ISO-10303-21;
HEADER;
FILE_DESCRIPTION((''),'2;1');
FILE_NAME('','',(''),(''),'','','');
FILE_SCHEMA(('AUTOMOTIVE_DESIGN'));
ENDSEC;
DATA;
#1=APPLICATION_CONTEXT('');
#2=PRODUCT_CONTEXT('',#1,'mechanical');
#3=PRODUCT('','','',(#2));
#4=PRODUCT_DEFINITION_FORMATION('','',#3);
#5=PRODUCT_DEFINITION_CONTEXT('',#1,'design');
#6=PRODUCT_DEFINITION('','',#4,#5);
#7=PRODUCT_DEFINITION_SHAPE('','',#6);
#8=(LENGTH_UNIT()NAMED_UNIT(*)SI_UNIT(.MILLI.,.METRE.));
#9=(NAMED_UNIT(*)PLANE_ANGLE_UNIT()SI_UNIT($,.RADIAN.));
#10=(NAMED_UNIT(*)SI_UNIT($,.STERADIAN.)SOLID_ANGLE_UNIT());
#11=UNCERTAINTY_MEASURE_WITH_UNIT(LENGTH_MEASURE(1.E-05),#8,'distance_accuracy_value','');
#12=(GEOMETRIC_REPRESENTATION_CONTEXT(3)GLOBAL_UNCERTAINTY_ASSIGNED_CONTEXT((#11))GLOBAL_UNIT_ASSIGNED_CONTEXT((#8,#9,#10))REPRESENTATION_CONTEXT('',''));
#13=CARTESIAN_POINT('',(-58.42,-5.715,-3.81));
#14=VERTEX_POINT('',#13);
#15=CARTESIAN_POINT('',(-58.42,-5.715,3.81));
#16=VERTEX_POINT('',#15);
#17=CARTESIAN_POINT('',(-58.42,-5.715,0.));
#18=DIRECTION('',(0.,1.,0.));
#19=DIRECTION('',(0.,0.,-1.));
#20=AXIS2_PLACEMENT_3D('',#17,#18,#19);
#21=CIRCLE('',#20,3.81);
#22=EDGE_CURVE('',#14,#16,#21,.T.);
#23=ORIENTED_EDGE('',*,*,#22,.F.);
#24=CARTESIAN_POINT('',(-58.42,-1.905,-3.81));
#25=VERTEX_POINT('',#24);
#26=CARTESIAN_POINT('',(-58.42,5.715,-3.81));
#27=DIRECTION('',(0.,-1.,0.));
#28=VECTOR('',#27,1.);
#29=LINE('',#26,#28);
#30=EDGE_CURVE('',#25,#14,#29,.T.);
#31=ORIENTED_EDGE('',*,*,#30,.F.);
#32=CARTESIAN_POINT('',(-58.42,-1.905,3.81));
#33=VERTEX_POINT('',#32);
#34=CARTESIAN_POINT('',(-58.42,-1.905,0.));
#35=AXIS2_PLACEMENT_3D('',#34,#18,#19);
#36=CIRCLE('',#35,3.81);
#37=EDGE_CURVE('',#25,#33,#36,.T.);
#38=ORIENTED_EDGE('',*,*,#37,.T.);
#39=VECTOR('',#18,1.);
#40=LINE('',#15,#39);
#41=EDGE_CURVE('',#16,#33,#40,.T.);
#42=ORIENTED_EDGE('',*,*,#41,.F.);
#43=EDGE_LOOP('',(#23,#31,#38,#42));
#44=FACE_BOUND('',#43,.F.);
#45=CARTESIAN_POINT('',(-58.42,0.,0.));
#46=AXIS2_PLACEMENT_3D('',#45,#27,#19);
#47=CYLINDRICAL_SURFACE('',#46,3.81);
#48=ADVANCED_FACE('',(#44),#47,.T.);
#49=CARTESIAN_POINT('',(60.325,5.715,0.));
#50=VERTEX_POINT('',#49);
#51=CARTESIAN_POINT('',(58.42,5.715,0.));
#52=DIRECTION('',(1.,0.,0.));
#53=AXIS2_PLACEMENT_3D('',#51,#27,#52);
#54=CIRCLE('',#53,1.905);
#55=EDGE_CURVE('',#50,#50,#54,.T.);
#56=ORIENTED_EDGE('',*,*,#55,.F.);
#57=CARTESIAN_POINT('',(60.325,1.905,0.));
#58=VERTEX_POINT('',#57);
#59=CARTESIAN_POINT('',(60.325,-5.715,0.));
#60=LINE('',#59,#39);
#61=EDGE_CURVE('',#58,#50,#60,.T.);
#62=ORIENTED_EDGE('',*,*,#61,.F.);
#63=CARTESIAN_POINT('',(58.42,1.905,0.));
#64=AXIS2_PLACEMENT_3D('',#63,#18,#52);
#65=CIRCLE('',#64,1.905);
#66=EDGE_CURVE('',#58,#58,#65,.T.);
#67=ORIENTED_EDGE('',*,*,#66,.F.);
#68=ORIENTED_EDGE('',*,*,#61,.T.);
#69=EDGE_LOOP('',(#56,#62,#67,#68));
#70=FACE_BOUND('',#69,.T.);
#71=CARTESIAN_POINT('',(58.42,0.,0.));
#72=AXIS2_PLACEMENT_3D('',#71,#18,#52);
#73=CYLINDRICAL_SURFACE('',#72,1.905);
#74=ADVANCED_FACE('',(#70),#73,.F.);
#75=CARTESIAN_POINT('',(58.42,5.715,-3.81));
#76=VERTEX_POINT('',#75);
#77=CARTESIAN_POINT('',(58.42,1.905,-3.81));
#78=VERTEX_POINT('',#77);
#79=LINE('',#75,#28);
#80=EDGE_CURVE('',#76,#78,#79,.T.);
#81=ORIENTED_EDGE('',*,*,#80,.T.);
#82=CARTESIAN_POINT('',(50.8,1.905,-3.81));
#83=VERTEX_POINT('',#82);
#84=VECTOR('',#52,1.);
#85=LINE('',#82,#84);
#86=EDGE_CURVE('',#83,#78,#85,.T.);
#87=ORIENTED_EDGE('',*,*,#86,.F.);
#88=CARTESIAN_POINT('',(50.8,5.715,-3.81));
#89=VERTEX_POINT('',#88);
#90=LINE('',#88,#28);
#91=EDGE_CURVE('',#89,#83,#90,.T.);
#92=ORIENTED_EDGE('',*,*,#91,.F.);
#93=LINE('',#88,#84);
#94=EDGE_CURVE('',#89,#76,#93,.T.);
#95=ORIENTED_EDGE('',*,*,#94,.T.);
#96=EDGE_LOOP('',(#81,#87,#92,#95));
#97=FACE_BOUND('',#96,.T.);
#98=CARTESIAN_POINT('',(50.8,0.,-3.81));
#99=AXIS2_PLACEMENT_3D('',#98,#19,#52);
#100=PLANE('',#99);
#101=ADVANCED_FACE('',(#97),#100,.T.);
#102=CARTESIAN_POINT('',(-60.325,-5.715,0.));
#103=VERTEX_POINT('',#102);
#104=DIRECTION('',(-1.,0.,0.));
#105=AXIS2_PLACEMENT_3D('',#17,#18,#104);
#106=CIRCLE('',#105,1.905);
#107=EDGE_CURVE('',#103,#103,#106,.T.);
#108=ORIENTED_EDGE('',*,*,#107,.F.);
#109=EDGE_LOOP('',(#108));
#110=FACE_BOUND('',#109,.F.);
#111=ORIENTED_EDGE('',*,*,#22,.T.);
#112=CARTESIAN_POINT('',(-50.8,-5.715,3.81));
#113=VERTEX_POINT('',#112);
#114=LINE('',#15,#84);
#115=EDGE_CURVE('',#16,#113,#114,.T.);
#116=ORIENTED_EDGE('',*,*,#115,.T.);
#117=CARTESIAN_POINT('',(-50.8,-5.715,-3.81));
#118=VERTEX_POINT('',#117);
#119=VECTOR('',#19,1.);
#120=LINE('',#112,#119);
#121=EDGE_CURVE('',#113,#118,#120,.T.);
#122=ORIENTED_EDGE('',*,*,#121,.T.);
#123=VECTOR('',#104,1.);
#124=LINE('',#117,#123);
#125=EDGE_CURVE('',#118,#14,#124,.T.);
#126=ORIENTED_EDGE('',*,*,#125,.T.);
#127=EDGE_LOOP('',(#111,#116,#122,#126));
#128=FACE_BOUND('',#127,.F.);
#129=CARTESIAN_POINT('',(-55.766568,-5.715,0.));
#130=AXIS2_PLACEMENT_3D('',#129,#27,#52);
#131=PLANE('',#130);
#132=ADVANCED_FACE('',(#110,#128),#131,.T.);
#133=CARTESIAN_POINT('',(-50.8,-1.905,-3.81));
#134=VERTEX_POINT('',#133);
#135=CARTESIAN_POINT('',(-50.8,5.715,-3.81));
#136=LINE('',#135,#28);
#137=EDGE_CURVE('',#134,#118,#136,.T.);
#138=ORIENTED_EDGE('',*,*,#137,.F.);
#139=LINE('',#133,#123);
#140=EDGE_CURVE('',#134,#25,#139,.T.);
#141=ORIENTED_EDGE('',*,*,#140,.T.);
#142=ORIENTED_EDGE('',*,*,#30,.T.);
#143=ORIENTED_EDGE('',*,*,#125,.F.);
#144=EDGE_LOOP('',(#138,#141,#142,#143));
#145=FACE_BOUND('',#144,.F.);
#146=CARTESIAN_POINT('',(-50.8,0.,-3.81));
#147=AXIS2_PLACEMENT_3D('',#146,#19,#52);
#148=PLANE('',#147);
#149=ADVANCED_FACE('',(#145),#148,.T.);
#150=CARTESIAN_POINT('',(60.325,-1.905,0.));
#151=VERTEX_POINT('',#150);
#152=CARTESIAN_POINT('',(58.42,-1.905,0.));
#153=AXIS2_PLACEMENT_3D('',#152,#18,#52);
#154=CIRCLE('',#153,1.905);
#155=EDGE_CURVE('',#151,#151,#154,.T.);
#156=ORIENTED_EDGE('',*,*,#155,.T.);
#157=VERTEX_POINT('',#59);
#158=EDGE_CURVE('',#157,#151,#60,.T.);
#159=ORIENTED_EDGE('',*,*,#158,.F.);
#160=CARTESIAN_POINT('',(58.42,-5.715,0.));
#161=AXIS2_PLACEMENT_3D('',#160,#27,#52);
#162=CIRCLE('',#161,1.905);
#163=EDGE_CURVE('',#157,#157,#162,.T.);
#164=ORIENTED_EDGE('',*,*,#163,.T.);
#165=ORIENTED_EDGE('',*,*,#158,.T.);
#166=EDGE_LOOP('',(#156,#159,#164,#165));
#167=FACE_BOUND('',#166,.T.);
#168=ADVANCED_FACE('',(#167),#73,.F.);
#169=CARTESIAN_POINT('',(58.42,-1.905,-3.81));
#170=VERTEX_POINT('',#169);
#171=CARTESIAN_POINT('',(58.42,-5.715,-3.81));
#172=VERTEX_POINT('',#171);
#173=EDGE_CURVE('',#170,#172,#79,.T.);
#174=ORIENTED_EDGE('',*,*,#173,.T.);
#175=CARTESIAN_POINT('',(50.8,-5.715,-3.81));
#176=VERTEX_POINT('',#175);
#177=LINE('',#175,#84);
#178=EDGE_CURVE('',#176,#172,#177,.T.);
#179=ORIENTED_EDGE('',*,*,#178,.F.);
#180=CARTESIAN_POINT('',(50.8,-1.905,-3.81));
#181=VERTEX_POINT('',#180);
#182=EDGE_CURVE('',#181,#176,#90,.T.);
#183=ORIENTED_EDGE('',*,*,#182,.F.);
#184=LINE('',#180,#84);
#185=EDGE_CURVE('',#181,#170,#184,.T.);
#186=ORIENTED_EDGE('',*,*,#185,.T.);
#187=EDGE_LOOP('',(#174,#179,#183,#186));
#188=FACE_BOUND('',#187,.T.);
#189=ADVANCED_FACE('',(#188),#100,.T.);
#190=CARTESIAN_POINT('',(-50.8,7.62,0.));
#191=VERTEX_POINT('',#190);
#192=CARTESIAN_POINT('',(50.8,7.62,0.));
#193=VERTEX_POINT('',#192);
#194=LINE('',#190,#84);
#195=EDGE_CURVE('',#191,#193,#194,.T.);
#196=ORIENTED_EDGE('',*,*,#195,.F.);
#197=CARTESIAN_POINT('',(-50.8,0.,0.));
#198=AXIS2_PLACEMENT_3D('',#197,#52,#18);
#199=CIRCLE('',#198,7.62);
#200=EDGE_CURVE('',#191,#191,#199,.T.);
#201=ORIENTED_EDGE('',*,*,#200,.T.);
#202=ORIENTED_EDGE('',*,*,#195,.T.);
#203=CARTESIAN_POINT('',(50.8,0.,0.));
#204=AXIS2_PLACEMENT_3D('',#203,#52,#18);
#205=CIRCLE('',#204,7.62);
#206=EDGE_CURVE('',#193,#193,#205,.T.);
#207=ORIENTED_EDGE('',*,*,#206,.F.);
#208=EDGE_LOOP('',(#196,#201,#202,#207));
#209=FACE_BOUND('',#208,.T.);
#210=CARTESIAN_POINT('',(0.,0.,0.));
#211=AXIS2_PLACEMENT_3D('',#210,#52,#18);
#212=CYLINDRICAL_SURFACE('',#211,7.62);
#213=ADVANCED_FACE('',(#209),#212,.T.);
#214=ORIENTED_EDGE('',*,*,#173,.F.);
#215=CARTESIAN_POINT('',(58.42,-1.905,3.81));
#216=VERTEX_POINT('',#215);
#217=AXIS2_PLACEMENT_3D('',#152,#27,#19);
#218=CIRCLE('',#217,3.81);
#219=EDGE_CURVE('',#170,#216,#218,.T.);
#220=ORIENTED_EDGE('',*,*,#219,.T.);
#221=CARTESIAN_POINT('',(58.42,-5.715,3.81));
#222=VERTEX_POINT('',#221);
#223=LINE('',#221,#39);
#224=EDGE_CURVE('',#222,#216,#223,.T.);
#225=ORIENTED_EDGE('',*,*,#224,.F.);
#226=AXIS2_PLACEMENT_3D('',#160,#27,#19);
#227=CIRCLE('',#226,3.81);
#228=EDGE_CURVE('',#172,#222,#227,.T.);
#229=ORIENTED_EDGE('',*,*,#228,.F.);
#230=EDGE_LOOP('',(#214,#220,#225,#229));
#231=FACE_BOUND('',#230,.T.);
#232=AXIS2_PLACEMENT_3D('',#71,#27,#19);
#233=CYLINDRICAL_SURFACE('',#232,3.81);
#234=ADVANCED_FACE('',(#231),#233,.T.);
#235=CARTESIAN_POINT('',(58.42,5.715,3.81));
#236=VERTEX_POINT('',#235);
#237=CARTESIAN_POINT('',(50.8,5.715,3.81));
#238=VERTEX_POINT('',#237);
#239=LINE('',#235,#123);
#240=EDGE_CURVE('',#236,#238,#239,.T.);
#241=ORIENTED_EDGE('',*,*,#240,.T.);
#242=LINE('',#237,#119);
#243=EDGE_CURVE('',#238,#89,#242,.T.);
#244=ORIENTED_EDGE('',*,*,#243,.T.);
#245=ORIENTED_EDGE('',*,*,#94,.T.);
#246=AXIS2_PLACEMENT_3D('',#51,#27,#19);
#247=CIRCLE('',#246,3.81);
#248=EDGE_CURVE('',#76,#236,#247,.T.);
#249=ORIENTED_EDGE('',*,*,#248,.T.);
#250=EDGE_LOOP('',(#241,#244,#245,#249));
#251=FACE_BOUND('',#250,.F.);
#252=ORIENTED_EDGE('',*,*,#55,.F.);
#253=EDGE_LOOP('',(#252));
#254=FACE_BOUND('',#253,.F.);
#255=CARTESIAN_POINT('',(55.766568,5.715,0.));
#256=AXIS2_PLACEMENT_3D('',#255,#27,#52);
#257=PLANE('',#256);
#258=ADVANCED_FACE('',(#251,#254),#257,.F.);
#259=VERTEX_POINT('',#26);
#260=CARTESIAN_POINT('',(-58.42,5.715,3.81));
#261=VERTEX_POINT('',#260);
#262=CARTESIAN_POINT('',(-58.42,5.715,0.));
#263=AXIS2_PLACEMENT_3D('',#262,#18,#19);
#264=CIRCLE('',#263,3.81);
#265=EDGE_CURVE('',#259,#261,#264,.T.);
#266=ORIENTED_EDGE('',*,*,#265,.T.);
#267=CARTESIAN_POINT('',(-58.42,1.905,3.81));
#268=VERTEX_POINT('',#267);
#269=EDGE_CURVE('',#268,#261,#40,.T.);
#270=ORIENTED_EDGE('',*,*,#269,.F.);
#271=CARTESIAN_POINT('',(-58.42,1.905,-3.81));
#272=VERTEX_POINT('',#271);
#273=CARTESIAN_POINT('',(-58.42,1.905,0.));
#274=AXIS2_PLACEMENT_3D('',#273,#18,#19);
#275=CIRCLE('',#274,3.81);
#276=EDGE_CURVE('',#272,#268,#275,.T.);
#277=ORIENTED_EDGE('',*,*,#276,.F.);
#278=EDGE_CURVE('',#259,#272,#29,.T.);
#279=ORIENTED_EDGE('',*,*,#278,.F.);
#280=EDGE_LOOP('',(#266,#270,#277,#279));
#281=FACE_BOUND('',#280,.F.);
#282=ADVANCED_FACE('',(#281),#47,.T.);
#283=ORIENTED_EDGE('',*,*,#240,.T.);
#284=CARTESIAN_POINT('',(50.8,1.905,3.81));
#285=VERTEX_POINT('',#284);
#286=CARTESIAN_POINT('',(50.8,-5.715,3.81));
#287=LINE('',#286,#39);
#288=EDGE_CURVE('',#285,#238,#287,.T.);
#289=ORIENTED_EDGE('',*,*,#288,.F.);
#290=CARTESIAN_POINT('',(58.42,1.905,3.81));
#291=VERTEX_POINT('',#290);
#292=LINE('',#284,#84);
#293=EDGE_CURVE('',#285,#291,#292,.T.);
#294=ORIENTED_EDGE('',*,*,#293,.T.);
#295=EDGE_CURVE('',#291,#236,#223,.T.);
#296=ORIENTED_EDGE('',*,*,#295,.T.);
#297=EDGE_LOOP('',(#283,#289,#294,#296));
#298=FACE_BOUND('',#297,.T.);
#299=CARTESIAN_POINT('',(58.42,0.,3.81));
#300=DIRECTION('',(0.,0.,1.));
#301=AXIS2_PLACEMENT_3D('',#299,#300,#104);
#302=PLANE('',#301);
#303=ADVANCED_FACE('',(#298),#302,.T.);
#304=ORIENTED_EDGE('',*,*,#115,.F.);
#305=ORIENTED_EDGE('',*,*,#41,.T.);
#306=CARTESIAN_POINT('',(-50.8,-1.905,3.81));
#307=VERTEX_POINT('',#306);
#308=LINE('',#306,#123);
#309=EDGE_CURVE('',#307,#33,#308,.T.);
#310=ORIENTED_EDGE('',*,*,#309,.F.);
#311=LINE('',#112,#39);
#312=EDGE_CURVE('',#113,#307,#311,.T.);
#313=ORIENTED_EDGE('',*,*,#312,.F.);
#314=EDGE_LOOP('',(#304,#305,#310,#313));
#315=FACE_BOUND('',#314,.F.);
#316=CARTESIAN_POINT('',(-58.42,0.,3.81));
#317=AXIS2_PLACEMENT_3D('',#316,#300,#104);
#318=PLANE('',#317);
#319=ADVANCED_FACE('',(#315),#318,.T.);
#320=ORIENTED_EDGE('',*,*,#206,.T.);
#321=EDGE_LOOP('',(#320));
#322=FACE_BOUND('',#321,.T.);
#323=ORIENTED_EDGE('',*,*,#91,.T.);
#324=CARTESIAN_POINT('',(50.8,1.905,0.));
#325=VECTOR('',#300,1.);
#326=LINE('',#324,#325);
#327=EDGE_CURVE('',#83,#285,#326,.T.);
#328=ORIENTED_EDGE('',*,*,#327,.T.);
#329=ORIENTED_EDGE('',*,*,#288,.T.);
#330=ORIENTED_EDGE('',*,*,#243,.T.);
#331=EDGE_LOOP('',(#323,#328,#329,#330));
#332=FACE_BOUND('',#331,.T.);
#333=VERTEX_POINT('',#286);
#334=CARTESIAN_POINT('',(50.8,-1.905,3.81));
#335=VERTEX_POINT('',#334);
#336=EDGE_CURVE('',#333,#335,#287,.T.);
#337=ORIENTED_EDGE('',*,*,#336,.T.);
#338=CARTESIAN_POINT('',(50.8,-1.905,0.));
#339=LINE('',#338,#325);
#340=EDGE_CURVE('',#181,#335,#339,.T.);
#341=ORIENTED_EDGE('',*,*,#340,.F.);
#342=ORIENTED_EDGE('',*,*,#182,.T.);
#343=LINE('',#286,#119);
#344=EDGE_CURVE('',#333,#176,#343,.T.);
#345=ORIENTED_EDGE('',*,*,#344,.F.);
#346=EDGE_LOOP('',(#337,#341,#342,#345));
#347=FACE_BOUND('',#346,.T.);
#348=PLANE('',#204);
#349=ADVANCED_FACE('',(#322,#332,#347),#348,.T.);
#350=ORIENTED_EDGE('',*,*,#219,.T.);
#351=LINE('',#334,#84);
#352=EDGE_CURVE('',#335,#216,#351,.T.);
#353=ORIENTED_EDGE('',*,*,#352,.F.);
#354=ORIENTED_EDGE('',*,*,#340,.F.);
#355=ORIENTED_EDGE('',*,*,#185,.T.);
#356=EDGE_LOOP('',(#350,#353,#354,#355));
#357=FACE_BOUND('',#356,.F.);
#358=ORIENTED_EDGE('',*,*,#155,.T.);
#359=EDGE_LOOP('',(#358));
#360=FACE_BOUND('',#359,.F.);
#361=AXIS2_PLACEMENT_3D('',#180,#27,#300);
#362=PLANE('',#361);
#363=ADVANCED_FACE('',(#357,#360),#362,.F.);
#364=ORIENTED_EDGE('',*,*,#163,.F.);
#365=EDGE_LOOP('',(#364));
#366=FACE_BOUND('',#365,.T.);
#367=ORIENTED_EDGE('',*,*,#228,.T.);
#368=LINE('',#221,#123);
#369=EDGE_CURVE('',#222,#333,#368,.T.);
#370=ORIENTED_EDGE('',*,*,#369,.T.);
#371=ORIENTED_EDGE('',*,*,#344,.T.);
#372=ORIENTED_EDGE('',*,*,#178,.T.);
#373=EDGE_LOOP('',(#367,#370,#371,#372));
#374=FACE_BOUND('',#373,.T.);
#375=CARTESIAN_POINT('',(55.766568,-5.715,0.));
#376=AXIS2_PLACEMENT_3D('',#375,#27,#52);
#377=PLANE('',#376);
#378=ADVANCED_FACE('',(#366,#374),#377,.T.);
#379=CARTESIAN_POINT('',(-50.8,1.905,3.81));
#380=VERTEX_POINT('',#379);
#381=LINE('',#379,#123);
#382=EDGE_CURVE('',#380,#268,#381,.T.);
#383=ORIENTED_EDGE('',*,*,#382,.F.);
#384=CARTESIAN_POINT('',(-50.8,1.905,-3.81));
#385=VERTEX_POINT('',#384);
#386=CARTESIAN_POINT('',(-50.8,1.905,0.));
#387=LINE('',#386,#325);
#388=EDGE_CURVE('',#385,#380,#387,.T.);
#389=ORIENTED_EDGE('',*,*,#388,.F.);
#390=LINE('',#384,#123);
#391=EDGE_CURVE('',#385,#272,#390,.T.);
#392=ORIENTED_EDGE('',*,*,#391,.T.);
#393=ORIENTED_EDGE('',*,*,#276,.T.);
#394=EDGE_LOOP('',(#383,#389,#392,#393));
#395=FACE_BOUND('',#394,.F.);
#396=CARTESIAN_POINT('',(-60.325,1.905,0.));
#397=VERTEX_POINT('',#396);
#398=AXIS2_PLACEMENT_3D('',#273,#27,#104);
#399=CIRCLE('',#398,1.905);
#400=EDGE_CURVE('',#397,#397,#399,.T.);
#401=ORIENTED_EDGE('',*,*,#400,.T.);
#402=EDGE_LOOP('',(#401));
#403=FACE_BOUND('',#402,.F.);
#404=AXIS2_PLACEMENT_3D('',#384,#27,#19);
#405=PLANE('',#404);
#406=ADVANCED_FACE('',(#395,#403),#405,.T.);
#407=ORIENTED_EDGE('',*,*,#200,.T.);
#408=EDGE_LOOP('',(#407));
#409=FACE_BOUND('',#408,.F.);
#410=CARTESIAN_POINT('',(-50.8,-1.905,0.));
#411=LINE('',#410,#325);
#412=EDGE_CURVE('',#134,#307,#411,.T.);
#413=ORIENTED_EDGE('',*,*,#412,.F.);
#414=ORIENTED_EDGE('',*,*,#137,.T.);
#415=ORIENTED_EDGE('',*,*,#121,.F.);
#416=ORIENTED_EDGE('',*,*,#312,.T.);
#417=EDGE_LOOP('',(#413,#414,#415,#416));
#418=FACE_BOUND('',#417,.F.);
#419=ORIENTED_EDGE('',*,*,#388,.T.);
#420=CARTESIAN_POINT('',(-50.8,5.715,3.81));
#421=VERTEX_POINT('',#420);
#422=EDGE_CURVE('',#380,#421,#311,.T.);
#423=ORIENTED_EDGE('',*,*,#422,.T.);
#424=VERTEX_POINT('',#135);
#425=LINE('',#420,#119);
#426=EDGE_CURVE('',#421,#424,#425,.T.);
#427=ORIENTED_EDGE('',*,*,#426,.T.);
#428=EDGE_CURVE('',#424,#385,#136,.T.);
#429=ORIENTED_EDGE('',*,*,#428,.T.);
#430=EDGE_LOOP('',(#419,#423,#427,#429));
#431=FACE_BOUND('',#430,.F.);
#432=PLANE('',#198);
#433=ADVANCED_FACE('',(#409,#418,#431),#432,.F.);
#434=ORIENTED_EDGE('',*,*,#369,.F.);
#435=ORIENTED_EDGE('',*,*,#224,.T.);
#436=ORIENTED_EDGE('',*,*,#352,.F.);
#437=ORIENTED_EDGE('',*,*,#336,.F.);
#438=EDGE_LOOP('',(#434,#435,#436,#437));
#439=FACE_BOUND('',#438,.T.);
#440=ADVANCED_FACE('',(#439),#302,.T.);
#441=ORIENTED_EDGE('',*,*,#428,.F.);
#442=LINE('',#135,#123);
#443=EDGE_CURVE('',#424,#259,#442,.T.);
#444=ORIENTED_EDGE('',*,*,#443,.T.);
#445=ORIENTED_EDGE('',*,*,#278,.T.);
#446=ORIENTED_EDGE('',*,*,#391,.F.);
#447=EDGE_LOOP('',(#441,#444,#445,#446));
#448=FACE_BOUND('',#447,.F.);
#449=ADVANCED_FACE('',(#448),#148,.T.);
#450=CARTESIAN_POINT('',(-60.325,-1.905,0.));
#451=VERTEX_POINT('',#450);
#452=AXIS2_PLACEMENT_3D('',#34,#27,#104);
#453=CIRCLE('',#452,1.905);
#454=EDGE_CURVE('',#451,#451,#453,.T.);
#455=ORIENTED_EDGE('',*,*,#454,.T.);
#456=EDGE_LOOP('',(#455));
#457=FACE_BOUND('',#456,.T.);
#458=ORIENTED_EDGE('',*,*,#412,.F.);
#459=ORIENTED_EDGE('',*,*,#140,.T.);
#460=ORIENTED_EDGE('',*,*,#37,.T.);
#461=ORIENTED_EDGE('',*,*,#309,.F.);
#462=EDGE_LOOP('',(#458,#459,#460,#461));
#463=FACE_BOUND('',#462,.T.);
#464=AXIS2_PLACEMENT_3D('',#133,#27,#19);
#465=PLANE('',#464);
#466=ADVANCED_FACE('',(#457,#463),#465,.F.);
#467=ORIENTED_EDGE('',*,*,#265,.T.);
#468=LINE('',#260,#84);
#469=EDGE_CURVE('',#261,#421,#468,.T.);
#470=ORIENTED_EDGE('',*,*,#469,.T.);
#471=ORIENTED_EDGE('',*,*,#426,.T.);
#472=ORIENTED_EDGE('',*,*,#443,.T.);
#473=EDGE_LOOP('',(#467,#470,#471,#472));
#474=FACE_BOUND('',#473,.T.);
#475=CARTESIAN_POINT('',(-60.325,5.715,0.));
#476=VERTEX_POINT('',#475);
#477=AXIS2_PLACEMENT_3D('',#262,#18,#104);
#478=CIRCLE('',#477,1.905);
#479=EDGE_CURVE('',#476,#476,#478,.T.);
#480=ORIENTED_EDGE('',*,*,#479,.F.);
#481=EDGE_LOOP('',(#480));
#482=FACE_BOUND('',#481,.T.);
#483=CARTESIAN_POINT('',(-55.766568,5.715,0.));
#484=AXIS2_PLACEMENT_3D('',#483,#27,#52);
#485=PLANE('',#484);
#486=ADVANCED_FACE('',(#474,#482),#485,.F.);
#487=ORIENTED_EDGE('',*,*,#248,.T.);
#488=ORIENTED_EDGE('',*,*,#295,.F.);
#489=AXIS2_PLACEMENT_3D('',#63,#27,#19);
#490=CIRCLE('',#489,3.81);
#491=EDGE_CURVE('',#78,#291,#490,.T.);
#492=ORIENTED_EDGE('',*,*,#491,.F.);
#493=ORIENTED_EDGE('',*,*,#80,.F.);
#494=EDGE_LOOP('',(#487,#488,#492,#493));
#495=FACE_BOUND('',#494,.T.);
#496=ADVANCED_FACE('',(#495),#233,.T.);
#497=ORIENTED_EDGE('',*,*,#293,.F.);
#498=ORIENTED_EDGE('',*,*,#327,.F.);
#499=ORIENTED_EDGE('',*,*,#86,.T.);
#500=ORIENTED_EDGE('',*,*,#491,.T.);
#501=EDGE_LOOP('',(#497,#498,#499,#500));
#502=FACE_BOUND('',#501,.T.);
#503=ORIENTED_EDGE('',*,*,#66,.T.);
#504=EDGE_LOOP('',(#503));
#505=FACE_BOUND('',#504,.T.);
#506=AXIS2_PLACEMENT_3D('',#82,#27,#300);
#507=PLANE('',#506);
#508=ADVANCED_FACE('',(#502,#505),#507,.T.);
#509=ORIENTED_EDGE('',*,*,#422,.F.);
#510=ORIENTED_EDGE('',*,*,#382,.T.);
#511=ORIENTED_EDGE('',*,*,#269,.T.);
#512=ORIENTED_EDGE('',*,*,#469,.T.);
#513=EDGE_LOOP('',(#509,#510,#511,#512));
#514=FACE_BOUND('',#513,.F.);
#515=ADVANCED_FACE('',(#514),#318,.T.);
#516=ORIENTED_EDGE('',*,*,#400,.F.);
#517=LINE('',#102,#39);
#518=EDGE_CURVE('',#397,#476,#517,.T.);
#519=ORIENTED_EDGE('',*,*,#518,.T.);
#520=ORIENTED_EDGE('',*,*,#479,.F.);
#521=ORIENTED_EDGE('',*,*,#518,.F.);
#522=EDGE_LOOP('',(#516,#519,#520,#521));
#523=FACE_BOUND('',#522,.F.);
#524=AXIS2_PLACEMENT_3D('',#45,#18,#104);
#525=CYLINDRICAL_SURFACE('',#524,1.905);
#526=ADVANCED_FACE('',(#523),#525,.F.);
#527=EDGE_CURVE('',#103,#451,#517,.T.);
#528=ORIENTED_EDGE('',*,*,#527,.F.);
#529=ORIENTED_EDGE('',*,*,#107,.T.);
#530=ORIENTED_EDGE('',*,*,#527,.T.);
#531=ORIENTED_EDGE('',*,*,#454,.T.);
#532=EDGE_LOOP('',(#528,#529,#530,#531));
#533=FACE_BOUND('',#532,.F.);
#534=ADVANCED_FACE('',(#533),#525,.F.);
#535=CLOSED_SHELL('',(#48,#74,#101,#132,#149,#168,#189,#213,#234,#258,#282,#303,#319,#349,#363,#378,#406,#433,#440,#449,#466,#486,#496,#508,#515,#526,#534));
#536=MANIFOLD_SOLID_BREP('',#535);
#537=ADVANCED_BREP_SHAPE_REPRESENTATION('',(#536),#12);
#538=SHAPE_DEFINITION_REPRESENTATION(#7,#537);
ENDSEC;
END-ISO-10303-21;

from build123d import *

# Parameters (mm, degrees)
F0_R     = 7.62
F1_DEPTH = 50.8
F2_R     = 1.905
F3_DEPTH = 5.715
F4_W     = 3.81
F4_H     = 7.62
F5_DEPTH = 11.431


with BuildPart() as f1:
    # F0 (on Right) → F1 (new body, symmetric)
    with BuildSketch(Plane.YZ):
        Circle(F0_R)
    extrude(amount=F1_DEPTH, both=True)

    # F2 (on Front) → F3 (join, symmetric)
    with BuildSketch(Plane.XZ):
        with BuildLine():
            Line((50.8, 3.81), (50.8, 0))
            Line((50.8, 0), (50.8, -3.81))
            Line((50.8, -3.81), (58.42, -3.81))
            ThreePointArc((58.42, -3.81), (62.23, 0), (58.42, 3.81))
            Line((58.42, 3.81), (50.8, 3.81))
        make_face()
        with Locations((58.42, 0)):
            Circle(F2_R, mode=Mode.SUBTRACT)
    extrude(amount=F3_DEPTH, both=True)

    # F4 (on face) → F5 (cut, through all)
    with BuildSketch(Plane.YZ.offset(50.8)):
        Rectangle(F4_W, F4_H)
    extrude(amount=F5_DEPTH, mode=Mode.SUBTRACT)

    # F6: F1 across plane


with BuildPart() as f1_1:
    add(f1.part)
    add(f1.part.mirror(Plane.YZ))


solid = f1_1.part
